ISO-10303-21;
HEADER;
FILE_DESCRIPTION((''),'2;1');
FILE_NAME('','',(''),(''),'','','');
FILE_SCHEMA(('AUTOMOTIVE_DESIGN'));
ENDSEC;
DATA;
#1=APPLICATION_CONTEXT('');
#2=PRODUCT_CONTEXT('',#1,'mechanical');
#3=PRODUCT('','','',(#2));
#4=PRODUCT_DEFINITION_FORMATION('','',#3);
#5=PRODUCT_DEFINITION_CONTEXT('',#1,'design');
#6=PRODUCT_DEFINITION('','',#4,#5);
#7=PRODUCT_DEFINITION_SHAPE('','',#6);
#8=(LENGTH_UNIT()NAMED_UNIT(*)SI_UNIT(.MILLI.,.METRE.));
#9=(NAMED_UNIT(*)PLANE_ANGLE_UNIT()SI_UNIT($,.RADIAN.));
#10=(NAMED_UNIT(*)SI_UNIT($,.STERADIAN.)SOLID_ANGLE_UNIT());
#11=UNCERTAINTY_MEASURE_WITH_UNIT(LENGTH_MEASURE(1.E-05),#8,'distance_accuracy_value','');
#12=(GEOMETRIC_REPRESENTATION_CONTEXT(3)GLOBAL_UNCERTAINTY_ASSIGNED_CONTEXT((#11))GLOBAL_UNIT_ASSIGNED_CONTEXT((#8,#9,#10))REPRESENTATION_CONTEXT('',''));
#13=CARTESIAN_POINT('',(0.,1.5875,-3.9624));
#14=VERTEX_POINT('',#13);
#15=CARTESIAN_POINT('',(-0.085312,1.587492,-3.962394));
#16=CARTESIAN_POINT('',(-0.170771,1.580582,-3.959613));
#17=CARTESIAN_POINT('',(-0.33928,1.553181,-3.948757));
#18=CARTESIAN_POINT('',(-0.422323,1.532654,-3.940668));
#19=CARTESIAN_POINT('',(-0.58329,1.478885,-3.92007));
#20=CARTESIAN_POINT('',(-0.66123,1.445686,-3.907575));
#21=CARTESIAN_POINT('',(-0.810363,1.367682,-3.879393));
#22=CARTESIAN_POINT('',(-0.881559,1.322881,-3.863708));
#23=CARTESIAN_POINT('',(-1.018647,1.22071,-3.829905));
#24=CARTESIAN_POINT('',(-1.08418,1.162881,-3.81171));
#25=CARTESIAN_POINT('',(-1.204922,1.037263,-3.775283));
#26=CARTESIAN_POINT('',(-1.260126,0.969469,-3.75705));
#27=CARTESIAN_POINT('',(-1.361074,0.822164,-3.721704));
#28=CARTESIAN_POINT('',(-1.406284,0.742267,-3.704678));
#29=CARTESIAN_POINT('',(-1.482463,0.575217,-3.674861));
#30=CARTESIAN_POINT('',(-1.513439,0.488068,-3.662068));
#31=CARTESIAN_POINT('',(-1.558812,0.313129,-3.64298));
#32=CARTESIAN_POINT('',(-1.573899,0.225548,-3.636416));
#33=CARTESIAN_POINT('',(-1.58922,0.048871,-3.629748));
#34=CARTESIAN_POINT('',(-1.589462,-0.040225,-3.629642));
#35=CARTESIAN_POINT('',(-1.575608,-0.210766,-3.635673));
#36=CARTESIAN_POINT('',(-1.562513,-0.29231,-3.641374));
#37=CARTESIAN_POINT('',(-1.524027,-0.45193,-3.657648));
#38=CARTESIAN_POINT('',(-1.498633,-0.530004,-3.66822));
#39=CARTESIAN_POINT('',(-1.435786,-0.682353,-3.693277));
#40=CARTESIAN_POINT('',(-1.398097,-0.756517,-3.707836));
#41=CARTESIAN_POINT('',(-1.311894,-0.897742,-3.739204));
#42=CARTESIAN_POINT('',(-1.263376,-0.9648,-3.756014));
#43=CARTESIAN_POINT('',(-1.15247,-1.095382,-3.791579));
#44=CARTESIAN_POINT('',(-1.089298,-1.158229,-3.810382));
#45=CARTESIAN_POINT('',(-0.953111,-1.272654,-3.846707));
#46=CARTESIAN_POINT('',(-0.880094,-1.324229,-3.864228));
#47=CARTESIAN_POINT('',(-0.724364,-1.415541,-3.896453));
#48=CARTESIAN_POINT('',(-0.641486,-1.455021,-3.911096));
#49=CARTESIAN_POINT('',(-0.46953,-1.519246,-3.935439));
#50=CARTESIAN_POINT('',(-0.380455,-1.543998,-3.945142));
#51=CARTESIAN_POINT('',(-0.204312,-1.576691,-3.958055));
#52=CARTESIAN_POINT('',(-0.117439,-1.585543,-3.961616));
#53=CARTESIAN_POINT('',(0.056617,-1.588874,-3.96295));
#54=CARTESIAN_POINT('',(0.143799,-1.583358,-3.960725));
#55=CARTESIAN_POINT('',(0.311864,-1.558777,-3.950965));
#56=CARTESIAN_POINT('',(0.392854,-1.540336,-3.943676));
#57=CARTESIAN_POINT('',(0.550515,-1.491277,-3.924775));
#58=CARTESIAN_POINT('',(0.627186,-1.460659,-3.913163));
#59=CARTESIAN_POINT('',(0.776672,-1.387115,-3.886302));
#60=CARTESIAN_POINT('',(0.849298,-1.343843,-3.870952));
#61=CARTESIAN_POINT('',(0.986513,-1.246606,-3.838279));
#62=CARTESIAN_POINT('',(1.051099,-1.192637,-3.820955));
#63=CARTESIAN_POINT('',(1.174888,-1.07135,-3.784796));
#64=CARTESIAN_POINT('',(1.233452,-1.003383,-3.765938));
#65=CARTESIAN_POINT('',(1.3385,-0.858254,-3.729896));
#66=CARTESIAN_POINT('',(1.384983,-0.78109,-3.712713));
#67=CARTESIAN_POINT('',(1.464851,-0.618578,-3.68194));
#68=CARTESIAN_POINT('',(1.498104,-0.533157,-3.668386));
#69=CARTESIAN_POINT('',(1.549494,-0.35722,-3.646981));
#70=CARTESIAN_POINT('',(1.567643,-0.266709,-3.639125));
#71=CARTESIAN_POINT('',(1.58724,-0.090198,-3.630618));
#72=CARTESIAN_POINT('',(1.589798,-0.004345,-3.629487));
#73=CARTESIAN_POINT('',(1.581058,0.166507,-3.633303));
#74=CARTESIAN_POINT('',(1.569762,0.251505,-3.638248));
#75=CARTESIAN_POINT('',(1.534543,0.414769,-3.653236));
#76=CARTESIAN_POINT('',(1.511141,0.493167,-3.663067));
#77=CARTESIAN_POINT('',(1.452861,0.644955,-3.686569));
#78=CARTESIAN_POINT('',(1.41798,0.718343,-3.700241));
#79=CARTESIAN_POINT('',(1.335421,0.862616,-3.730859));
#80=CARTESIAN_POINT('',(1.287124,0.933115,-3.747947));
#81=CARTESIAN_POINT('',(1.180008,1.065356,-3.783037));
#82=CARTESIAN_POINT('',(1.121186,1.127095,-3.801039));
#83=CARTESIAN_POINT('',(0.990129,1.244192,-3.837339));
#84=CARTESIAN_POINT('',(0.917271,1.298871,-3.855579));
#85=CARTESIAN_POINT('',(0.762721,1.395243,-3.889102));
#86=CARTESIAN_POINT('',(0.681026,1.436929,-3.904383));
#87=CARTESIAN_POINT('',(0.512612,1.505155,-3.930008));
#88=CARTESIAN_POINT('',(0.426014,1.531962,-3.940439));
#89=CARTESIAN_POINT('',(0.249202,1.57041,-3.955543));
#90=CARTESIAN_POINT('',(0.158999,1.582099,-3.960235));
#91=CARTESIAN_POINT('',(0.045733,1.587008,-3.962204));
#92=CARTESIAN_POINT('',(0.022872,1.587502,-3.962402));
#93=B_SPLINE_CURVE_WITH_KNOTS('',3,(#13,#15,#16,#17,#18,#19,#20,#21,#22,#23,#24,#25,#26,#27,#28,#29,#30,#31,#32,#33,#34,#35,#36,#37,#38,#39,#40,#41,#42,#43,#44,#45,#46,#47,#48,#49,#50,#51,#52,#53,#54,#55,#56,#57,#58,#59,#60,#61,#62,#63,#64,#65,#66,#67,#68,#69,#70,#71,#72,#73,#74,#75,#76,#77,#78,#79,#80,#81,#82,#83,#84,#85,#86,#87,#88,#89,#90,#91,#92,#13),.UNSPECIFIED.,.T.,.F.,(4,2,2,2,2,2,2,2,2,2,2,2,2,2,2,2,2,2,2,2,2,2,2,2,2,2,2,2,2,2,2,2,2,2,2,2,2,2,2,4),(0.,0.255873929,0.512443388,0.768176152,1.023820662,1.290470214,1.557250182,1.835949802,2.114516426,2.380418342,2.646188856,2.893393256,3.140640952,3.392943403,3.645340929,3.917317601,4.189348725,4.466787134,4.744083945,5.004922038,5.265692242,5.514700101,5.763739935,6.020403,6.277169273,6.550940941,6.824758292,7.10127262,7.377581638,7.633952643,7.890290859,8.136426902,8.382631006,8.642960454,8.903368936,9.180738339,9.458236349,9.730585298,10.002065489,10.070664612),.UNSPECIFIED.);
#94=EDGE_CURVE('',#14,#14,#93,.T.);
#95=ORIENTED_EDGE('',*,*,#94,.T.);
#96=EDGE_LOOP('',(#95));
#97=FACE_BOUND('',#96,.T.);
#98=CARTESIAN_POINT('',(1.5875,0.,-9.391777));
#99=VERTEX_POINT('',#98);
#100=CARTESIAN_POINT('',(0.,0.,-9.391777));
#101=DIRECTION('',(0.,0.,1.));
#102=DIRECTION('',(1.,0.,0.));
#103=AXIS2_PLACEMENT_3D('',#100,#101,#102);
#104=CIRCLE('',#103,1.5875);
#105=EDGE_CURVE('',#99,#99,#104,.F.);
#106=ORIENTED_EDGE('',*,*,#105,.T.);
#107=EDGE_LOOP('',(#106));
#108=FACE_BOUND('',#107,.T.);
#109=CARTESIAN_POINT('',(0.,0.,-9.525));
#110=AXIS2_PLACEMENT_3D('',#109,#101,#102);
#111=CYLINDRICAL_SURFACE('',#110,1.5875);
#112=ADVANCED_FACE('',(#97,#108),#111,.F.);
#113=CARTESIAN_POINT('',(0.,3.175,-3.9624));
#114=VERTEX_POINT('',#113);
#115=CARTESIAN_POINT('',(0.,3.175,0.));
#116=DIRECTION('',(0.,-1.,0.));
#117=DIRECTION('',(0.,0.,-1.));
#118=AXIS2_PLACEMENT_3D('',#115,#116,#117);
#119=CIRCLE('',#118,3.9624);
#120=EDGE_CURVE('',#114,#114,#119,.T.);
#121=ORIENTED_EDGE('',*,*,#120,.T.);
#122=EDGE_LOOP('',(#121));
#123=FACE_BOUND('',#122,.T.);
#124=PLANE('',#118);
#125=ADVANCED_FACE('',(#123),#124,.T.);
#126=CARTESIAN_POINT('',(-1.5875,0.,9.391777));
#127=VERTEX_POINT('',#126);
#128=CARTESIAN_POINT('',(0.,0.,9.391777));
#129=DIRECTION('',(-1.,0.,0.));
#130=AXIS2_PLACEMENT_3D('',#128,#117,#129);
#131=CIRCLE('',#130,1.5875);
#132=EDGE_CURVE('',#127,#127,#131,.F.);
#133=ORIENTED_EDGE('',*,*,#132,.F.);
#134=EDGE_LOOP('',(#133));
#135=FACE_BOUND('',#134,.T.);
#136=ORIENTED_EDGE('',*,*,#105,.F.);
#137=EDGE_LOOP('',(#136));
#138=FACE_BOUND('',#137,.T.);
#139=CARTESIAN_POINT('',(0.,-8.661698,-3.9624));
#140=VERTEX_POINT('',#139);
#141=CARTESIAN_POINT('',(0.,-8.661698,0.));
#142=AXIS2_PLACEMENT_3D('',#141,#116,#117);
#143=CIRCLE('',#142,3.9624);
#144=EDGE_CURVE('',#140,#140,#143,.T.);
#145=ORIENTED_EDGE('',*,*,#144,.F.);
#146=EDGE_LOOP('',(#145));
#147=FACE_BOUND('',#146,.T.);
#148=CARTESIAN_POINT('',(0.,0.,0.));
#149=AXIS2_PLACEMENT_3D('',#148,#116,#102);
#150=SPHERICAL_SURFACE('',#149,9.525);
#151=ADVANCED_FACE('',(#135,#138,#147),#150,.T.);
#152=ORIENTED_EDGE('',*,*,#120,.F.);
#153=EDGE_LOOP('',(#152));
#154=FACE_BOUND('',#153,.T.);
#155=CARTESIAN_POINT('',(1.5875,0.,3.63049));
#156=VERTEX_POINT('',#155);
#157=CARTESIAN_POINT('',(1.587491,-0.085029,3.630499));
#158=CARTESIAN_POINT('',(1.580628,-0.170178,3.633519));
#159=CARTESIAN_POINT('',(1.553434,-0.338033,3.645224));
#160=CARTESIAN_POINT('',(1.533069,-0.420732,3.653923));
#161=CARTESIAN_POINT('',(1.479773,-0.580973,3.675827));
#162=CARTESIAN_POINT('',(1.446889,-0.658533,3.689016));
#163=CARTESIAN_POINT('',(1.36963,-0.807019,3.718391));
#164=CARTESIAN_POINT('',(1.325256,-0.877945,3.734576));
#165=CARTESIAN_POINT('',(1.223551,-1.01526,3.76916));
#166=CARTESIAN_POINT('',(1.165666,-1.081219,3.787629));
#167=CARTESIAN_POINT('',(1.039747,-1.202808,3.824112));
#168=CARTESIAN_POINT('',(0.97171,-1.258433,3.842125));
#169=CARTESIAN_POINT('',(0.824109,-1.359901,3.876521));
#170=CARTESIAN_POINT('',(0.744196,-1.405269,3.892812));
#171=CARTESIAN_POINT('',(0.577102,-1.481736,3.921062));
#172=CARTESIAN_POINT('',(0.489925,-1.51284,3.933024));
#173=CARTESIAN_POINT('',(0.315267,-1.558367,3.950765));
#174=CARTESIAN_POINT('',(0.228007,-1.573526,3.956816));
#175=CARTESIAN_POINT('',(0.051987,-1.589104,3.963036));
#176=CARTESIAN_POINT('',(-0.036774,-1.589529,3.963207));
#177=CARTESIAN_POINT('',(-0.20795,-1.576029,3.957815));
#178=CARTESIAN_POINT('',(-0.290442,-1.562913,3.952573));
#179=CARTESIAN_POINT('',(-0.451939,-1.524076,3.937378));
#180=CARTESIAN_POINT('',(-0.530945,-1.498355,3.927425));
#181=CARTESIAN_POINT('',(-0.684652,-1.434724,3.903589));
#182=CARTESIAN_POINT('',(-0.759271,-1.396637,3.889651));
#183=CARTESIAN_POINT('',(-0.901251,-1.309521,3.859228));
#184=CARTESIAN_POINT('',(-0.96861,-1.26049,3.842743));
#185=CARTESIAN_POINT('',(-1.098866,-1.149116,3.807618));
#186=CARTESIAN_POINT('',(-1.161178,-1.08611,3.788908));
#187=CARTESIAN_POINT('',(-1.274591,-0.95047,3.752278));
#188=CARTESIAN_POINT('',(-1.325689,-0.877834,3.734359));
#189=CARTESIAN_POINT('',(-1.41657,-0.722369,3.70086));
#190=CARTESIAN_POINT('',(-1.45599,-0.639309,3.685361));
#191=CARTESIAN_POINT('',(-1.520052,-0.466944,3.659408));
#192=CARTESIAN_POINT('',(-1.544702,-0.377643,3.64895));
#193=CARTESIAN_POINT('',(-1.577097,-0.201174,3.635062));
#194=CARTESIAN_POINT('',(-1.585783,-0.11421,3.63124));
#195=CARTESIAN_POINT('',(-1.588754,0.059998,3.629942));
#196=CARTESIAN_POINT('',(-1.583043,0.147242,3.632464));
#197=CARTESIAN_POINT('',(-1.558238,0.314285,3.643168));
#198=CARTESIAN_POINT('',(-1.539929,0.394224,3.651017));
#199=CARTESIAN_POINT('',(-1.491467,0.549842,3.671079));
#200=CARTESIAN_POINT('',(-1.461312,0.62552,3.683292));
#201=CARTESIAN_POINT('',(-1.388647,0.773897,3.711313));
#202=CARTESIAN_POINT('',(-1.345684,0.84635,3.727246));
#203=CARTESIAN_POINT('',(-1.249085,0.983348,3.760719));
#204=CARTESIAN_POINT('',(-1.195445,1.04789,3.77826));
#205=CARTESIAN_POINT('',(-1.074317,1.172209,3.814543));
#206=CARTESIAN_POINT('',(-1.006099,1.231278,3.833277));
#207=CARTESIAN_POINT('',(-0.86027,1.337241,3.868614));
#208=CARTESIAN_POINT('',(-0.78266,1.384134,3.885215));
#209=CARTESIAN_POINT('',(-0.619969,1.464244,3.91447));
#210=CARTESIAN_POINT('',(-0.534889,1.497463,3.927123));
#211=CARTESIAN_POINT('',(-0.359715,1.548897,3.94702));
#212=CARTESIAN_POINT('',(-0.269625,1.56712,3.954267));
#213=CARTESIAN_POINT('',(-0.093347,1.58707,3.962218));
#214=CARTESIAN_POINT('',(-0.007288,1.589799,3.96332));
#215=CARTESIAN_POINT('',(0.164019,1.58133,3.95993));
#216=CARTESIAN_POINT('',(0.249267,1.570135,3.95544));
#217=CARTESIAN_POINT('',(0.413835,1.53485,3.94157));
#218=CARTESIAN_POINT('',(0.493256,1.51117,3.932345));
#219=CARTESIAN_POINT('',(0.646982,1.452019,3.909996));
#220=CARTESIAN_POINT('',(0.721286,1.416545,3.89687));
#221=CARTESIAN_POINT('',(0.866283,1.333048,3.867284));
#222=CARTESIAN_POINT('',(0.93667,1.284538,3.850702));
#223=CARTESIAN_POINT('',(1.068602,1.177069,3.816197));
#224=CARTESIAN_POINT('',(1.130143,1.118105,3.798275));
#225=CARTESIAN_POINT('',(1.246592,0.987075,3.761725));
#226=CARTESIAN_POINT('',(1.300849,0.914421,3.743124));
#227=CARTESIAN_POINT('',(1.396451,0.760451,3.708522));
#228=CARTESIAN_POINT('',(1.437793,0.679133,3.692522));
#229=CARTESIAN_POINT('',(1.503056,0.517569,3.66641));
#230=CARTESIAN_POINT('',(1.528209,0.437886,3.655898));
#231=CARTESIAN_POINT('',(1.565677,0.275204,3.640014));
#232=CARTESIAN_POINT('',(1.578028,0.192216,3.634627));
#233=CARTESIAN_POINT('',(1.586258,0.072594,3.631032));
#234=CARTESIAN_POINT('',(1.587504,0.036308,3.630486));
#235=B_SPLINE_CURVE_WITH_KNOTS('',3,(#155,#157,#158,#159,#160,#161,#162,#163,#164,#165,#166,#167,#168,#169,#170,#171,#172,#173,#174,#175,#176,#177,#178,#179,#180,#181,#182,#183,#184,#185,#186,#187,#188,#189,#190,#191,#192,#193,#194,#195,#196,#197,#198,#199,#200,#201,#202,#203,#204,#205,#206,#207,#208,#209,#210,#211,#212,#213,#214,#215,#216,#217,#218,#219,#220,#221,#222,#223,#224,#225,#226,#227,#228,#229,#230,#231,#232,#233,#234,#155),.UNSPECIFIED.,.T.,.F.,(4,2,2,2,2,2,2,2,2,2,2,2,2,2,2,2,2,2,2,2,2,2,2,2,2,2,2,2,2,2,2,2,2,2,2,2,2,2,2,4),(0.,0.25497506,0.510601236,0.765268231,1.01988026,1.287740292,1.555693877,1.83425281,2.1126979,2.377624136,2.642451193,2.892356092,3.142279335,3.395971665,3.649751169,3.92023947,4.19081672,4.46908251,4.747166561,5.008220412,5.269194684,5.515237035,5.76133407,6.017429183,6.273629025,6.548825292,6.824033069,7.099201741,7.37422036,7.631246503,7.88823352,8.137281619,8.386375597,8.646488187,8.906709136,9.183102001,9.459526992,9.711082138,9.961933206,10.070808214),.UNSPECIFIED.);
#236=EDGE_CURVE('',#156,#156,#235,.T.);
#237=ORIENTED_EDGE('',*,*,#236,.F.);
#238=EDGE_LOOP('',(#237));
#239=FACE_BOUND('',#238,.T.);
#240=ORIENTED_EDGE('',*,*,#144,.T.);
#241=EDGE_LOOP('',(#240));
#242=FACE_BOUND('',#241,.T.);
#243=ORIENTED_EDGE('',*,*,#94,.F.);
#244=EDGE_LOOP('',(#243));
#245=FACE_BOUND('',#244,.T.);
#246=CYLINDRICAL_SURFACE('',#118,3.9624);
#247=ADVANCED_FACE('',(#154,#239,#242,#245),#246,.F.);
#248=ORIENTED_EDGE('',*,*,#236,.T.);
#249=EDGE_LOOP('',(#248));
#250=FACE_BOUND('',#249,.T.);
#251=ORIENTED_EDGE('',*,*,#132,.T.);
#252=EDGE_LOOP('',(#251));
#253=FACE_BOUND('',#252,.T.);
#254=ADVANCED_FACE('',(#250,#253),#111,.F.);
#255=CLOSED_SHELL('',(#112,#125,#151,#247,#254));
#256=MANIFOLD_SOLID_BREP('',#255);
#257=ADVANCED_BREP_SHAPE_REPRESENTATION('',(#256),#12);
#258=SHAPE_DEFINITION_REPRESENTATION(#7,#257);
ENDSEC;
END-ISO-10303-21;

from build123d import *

# Parameters (mm, degrees)
CORTAR_EXTRUIR1_DEPTH      = 17.497783942
CORTAR_EXTRUIR1_DEPTH_BACK = 17.497783942
CROQUIS2_R                 = 1.5875


with BuildPart() as part:
    # Croquis1 → Revolución1 (revolve)
    with BuildSketch(Plane.XY):
        with BuildLine():
            Line((0, 3.175), (3.9624, 3.175))
            Line((3.9624, 3.175), (3.9624, -8.661697942))
            ThreePointArc((3.9624, -8.661697942), (9.306672281, 2.027677502), (0, 9.525))
            Line((0, 9.525), (0, 3.175))
        make_face()
    revolve(axis=Axis((0, 3.175, 0), (0, 1, 0)))

    # Croquis2 → Cortar-Extruir1 (cut, two sides: drawn at the far end of the back side and taken through both)
    with BuildSketch(Plane.XY.offset(-CORTAR_EXTRUIR1_DEPTH_BACK)):
        Circle(CROQUIS2_R)
    extrude(amount=CORTAR_EXTRUIR1_DEPTH + CORTAR_EXTRUIR1_DEPTH_BACK, mode=Mode.SUBTRACT)


solid = part.part
